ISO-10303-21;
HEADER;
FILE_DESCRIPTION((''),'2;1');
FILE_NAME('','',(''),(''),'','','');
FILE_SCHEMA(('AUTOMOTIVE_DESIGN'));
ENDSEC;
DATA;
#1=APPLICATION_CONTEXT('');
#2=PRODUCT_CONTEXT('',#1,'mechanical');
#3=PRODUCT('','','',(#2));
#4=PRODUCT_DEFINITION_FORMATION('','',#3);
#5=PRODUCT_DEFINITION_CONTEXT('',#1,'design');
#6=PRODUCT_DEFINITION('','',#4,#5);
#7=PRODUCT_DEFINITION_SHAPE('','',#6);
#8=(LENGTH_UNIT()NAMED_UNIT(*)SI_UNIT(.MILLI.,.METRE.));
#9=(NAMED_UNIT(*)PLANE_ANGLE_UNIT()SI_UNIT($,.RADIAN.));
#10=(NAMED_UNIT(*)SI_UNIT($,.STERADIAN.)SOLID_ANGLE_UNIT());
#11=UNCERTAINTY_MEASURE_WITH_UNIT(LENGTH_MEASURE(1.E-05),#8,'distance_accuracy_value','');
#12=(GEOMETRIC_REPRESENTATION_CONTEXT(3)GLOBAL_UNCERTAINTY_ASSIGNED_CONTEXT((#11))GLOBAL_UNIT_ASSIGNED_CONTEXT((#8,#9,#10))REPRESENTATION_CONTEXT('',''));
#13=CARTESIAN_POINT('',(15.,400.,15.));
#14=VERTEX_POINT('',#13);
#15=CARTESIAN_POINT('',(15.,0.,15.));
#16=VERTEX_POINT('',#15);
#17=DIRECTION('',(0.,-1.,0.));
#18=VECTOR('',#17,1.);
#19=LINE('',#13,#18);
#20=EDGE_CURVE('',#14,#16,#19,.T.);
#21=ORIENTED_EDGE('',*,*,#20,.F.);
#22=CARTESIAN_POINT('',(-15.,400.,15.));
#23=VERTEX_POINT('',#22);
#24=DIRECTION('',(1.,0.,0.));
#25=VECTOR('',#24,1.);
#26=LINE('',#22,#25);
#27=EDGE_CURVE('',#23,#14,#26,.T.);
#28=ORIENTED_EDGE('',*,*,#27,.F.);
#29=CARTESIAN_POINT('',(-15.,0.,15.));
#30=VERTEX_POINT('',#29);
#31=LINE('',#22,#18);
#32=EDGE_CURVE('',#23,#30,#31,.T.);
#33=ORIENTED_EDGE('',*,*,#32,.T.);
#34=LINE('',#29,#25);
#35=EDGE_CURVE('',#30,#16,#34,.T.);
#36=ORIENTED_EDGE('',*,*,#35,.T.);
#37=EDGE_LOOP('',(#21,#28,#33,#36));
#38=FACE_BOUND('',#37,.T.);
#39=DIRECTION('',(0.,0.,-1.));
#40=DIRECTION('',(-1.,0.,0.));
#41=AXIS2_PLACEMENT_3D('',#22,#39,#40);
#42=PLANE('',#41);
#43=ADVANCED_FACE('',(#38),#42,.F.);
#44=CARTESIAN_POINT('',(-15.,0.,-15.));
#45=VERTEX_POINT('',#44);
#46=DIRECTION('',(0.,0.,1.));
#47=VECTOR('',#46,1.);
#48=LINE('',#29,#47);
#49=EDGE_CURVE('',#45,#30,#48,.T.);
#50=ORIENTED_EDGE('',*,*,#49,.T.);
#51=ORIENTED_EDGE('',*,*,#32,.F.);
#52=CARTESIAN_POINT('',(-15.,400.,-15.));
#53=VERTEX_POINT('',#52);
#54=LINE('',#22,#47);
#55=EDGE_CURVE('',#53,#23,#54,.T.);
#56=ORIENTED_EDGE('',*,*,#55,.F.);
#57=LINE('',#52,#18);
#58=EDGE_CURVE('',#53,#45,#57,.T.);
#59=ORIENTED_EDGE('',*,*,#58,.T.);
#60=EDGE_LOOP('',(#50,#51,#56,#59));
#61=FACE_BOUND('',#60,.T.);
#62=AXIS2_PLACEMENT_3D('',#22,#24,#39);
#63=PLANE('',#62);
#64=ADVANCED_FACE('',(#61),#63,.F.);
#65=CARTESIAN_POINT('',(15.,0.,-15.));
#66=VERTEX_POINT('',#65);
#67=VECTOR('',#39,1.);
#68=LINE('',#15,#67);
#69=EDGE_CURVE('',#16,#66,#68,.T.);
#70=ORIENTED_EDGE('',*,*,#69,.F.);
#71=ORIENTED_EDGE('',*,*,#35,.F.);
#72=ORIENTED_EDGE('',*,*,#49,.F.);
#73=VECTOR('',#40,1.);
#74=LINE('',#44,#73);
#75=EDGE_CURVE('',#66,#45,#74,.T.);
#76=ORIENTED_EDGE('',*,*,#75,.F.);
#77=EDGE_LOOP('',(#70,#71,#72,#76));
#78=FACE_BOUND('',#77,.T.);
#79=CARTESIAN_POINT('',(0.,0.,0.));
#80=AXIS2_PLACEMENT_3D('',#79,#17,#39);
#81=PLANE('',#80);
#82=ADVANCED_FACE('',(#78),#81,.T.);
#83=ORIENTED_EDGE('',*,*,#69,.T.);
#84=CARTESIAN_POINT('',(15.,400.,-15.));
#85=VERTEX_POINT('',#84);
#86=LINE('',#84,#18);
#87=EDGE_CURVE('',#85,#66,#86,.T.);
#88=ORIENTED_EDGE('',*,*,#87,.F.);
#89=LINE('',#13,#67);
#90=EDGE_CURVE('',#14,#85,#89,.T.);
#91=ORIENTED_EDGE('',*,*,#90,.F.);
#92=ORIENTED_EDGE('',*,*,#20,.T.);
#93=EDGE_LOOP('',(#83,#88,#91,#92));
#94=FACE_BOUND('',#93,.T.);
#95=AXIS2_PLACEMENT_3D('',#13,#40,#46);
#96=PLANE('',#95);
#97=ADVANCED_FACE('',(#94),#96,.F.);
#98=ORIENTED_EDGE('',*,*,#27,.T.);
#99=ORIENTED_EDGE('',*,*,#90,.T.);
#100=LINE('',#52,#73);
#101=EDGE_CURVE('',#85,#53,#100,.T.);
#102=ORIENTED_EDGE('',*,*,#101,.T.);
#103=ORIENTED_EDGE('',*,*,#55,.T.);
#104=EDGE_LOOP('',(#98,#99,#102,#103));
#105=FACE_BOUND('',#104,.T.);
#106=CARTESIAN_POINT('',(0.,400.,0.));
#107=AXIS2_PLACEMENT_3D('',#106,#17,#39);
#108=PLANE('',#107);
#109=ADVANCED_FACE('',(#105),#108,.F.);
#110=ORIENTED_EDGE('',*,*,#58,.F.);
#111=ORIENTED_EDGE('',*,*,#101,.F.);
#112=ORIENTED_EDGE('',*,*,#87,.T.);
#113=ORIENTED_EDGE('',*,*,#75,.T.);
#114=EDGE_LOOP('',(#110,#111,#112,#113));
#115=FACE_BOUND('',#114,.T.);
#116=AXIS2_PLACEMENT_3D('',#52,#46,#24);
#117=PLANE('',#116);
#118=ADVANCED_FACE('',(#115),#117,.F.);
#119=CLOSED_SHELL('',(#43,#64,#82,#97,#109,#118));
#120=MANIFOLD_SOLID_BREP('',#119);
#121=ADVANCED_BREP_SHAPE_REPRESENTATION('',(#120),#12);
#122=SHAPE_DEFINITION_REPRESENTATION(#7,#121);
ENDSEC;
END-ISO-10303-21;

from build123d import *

# Parameters (mm, degrees)
CROQUIS1_W              = 30
CROQUIS1_H              = 30
SALIENTE_EXTRUIR1_DEPTH = 400


with BuildPart() as part:
    # Croquis1 → Saliente-Extruir1 (new body)
    with BuildSketch(Plane(origin=(0, 0, 0), x_dir=(1, 0, 0), z_dir=(0, 1, 0))):
        Rectangle(CROQUIS1_W, CROQUIS1_H)
    extrude(amount=SALIENTE_EXTRUIR1_DEPTH)


solid = part.part
